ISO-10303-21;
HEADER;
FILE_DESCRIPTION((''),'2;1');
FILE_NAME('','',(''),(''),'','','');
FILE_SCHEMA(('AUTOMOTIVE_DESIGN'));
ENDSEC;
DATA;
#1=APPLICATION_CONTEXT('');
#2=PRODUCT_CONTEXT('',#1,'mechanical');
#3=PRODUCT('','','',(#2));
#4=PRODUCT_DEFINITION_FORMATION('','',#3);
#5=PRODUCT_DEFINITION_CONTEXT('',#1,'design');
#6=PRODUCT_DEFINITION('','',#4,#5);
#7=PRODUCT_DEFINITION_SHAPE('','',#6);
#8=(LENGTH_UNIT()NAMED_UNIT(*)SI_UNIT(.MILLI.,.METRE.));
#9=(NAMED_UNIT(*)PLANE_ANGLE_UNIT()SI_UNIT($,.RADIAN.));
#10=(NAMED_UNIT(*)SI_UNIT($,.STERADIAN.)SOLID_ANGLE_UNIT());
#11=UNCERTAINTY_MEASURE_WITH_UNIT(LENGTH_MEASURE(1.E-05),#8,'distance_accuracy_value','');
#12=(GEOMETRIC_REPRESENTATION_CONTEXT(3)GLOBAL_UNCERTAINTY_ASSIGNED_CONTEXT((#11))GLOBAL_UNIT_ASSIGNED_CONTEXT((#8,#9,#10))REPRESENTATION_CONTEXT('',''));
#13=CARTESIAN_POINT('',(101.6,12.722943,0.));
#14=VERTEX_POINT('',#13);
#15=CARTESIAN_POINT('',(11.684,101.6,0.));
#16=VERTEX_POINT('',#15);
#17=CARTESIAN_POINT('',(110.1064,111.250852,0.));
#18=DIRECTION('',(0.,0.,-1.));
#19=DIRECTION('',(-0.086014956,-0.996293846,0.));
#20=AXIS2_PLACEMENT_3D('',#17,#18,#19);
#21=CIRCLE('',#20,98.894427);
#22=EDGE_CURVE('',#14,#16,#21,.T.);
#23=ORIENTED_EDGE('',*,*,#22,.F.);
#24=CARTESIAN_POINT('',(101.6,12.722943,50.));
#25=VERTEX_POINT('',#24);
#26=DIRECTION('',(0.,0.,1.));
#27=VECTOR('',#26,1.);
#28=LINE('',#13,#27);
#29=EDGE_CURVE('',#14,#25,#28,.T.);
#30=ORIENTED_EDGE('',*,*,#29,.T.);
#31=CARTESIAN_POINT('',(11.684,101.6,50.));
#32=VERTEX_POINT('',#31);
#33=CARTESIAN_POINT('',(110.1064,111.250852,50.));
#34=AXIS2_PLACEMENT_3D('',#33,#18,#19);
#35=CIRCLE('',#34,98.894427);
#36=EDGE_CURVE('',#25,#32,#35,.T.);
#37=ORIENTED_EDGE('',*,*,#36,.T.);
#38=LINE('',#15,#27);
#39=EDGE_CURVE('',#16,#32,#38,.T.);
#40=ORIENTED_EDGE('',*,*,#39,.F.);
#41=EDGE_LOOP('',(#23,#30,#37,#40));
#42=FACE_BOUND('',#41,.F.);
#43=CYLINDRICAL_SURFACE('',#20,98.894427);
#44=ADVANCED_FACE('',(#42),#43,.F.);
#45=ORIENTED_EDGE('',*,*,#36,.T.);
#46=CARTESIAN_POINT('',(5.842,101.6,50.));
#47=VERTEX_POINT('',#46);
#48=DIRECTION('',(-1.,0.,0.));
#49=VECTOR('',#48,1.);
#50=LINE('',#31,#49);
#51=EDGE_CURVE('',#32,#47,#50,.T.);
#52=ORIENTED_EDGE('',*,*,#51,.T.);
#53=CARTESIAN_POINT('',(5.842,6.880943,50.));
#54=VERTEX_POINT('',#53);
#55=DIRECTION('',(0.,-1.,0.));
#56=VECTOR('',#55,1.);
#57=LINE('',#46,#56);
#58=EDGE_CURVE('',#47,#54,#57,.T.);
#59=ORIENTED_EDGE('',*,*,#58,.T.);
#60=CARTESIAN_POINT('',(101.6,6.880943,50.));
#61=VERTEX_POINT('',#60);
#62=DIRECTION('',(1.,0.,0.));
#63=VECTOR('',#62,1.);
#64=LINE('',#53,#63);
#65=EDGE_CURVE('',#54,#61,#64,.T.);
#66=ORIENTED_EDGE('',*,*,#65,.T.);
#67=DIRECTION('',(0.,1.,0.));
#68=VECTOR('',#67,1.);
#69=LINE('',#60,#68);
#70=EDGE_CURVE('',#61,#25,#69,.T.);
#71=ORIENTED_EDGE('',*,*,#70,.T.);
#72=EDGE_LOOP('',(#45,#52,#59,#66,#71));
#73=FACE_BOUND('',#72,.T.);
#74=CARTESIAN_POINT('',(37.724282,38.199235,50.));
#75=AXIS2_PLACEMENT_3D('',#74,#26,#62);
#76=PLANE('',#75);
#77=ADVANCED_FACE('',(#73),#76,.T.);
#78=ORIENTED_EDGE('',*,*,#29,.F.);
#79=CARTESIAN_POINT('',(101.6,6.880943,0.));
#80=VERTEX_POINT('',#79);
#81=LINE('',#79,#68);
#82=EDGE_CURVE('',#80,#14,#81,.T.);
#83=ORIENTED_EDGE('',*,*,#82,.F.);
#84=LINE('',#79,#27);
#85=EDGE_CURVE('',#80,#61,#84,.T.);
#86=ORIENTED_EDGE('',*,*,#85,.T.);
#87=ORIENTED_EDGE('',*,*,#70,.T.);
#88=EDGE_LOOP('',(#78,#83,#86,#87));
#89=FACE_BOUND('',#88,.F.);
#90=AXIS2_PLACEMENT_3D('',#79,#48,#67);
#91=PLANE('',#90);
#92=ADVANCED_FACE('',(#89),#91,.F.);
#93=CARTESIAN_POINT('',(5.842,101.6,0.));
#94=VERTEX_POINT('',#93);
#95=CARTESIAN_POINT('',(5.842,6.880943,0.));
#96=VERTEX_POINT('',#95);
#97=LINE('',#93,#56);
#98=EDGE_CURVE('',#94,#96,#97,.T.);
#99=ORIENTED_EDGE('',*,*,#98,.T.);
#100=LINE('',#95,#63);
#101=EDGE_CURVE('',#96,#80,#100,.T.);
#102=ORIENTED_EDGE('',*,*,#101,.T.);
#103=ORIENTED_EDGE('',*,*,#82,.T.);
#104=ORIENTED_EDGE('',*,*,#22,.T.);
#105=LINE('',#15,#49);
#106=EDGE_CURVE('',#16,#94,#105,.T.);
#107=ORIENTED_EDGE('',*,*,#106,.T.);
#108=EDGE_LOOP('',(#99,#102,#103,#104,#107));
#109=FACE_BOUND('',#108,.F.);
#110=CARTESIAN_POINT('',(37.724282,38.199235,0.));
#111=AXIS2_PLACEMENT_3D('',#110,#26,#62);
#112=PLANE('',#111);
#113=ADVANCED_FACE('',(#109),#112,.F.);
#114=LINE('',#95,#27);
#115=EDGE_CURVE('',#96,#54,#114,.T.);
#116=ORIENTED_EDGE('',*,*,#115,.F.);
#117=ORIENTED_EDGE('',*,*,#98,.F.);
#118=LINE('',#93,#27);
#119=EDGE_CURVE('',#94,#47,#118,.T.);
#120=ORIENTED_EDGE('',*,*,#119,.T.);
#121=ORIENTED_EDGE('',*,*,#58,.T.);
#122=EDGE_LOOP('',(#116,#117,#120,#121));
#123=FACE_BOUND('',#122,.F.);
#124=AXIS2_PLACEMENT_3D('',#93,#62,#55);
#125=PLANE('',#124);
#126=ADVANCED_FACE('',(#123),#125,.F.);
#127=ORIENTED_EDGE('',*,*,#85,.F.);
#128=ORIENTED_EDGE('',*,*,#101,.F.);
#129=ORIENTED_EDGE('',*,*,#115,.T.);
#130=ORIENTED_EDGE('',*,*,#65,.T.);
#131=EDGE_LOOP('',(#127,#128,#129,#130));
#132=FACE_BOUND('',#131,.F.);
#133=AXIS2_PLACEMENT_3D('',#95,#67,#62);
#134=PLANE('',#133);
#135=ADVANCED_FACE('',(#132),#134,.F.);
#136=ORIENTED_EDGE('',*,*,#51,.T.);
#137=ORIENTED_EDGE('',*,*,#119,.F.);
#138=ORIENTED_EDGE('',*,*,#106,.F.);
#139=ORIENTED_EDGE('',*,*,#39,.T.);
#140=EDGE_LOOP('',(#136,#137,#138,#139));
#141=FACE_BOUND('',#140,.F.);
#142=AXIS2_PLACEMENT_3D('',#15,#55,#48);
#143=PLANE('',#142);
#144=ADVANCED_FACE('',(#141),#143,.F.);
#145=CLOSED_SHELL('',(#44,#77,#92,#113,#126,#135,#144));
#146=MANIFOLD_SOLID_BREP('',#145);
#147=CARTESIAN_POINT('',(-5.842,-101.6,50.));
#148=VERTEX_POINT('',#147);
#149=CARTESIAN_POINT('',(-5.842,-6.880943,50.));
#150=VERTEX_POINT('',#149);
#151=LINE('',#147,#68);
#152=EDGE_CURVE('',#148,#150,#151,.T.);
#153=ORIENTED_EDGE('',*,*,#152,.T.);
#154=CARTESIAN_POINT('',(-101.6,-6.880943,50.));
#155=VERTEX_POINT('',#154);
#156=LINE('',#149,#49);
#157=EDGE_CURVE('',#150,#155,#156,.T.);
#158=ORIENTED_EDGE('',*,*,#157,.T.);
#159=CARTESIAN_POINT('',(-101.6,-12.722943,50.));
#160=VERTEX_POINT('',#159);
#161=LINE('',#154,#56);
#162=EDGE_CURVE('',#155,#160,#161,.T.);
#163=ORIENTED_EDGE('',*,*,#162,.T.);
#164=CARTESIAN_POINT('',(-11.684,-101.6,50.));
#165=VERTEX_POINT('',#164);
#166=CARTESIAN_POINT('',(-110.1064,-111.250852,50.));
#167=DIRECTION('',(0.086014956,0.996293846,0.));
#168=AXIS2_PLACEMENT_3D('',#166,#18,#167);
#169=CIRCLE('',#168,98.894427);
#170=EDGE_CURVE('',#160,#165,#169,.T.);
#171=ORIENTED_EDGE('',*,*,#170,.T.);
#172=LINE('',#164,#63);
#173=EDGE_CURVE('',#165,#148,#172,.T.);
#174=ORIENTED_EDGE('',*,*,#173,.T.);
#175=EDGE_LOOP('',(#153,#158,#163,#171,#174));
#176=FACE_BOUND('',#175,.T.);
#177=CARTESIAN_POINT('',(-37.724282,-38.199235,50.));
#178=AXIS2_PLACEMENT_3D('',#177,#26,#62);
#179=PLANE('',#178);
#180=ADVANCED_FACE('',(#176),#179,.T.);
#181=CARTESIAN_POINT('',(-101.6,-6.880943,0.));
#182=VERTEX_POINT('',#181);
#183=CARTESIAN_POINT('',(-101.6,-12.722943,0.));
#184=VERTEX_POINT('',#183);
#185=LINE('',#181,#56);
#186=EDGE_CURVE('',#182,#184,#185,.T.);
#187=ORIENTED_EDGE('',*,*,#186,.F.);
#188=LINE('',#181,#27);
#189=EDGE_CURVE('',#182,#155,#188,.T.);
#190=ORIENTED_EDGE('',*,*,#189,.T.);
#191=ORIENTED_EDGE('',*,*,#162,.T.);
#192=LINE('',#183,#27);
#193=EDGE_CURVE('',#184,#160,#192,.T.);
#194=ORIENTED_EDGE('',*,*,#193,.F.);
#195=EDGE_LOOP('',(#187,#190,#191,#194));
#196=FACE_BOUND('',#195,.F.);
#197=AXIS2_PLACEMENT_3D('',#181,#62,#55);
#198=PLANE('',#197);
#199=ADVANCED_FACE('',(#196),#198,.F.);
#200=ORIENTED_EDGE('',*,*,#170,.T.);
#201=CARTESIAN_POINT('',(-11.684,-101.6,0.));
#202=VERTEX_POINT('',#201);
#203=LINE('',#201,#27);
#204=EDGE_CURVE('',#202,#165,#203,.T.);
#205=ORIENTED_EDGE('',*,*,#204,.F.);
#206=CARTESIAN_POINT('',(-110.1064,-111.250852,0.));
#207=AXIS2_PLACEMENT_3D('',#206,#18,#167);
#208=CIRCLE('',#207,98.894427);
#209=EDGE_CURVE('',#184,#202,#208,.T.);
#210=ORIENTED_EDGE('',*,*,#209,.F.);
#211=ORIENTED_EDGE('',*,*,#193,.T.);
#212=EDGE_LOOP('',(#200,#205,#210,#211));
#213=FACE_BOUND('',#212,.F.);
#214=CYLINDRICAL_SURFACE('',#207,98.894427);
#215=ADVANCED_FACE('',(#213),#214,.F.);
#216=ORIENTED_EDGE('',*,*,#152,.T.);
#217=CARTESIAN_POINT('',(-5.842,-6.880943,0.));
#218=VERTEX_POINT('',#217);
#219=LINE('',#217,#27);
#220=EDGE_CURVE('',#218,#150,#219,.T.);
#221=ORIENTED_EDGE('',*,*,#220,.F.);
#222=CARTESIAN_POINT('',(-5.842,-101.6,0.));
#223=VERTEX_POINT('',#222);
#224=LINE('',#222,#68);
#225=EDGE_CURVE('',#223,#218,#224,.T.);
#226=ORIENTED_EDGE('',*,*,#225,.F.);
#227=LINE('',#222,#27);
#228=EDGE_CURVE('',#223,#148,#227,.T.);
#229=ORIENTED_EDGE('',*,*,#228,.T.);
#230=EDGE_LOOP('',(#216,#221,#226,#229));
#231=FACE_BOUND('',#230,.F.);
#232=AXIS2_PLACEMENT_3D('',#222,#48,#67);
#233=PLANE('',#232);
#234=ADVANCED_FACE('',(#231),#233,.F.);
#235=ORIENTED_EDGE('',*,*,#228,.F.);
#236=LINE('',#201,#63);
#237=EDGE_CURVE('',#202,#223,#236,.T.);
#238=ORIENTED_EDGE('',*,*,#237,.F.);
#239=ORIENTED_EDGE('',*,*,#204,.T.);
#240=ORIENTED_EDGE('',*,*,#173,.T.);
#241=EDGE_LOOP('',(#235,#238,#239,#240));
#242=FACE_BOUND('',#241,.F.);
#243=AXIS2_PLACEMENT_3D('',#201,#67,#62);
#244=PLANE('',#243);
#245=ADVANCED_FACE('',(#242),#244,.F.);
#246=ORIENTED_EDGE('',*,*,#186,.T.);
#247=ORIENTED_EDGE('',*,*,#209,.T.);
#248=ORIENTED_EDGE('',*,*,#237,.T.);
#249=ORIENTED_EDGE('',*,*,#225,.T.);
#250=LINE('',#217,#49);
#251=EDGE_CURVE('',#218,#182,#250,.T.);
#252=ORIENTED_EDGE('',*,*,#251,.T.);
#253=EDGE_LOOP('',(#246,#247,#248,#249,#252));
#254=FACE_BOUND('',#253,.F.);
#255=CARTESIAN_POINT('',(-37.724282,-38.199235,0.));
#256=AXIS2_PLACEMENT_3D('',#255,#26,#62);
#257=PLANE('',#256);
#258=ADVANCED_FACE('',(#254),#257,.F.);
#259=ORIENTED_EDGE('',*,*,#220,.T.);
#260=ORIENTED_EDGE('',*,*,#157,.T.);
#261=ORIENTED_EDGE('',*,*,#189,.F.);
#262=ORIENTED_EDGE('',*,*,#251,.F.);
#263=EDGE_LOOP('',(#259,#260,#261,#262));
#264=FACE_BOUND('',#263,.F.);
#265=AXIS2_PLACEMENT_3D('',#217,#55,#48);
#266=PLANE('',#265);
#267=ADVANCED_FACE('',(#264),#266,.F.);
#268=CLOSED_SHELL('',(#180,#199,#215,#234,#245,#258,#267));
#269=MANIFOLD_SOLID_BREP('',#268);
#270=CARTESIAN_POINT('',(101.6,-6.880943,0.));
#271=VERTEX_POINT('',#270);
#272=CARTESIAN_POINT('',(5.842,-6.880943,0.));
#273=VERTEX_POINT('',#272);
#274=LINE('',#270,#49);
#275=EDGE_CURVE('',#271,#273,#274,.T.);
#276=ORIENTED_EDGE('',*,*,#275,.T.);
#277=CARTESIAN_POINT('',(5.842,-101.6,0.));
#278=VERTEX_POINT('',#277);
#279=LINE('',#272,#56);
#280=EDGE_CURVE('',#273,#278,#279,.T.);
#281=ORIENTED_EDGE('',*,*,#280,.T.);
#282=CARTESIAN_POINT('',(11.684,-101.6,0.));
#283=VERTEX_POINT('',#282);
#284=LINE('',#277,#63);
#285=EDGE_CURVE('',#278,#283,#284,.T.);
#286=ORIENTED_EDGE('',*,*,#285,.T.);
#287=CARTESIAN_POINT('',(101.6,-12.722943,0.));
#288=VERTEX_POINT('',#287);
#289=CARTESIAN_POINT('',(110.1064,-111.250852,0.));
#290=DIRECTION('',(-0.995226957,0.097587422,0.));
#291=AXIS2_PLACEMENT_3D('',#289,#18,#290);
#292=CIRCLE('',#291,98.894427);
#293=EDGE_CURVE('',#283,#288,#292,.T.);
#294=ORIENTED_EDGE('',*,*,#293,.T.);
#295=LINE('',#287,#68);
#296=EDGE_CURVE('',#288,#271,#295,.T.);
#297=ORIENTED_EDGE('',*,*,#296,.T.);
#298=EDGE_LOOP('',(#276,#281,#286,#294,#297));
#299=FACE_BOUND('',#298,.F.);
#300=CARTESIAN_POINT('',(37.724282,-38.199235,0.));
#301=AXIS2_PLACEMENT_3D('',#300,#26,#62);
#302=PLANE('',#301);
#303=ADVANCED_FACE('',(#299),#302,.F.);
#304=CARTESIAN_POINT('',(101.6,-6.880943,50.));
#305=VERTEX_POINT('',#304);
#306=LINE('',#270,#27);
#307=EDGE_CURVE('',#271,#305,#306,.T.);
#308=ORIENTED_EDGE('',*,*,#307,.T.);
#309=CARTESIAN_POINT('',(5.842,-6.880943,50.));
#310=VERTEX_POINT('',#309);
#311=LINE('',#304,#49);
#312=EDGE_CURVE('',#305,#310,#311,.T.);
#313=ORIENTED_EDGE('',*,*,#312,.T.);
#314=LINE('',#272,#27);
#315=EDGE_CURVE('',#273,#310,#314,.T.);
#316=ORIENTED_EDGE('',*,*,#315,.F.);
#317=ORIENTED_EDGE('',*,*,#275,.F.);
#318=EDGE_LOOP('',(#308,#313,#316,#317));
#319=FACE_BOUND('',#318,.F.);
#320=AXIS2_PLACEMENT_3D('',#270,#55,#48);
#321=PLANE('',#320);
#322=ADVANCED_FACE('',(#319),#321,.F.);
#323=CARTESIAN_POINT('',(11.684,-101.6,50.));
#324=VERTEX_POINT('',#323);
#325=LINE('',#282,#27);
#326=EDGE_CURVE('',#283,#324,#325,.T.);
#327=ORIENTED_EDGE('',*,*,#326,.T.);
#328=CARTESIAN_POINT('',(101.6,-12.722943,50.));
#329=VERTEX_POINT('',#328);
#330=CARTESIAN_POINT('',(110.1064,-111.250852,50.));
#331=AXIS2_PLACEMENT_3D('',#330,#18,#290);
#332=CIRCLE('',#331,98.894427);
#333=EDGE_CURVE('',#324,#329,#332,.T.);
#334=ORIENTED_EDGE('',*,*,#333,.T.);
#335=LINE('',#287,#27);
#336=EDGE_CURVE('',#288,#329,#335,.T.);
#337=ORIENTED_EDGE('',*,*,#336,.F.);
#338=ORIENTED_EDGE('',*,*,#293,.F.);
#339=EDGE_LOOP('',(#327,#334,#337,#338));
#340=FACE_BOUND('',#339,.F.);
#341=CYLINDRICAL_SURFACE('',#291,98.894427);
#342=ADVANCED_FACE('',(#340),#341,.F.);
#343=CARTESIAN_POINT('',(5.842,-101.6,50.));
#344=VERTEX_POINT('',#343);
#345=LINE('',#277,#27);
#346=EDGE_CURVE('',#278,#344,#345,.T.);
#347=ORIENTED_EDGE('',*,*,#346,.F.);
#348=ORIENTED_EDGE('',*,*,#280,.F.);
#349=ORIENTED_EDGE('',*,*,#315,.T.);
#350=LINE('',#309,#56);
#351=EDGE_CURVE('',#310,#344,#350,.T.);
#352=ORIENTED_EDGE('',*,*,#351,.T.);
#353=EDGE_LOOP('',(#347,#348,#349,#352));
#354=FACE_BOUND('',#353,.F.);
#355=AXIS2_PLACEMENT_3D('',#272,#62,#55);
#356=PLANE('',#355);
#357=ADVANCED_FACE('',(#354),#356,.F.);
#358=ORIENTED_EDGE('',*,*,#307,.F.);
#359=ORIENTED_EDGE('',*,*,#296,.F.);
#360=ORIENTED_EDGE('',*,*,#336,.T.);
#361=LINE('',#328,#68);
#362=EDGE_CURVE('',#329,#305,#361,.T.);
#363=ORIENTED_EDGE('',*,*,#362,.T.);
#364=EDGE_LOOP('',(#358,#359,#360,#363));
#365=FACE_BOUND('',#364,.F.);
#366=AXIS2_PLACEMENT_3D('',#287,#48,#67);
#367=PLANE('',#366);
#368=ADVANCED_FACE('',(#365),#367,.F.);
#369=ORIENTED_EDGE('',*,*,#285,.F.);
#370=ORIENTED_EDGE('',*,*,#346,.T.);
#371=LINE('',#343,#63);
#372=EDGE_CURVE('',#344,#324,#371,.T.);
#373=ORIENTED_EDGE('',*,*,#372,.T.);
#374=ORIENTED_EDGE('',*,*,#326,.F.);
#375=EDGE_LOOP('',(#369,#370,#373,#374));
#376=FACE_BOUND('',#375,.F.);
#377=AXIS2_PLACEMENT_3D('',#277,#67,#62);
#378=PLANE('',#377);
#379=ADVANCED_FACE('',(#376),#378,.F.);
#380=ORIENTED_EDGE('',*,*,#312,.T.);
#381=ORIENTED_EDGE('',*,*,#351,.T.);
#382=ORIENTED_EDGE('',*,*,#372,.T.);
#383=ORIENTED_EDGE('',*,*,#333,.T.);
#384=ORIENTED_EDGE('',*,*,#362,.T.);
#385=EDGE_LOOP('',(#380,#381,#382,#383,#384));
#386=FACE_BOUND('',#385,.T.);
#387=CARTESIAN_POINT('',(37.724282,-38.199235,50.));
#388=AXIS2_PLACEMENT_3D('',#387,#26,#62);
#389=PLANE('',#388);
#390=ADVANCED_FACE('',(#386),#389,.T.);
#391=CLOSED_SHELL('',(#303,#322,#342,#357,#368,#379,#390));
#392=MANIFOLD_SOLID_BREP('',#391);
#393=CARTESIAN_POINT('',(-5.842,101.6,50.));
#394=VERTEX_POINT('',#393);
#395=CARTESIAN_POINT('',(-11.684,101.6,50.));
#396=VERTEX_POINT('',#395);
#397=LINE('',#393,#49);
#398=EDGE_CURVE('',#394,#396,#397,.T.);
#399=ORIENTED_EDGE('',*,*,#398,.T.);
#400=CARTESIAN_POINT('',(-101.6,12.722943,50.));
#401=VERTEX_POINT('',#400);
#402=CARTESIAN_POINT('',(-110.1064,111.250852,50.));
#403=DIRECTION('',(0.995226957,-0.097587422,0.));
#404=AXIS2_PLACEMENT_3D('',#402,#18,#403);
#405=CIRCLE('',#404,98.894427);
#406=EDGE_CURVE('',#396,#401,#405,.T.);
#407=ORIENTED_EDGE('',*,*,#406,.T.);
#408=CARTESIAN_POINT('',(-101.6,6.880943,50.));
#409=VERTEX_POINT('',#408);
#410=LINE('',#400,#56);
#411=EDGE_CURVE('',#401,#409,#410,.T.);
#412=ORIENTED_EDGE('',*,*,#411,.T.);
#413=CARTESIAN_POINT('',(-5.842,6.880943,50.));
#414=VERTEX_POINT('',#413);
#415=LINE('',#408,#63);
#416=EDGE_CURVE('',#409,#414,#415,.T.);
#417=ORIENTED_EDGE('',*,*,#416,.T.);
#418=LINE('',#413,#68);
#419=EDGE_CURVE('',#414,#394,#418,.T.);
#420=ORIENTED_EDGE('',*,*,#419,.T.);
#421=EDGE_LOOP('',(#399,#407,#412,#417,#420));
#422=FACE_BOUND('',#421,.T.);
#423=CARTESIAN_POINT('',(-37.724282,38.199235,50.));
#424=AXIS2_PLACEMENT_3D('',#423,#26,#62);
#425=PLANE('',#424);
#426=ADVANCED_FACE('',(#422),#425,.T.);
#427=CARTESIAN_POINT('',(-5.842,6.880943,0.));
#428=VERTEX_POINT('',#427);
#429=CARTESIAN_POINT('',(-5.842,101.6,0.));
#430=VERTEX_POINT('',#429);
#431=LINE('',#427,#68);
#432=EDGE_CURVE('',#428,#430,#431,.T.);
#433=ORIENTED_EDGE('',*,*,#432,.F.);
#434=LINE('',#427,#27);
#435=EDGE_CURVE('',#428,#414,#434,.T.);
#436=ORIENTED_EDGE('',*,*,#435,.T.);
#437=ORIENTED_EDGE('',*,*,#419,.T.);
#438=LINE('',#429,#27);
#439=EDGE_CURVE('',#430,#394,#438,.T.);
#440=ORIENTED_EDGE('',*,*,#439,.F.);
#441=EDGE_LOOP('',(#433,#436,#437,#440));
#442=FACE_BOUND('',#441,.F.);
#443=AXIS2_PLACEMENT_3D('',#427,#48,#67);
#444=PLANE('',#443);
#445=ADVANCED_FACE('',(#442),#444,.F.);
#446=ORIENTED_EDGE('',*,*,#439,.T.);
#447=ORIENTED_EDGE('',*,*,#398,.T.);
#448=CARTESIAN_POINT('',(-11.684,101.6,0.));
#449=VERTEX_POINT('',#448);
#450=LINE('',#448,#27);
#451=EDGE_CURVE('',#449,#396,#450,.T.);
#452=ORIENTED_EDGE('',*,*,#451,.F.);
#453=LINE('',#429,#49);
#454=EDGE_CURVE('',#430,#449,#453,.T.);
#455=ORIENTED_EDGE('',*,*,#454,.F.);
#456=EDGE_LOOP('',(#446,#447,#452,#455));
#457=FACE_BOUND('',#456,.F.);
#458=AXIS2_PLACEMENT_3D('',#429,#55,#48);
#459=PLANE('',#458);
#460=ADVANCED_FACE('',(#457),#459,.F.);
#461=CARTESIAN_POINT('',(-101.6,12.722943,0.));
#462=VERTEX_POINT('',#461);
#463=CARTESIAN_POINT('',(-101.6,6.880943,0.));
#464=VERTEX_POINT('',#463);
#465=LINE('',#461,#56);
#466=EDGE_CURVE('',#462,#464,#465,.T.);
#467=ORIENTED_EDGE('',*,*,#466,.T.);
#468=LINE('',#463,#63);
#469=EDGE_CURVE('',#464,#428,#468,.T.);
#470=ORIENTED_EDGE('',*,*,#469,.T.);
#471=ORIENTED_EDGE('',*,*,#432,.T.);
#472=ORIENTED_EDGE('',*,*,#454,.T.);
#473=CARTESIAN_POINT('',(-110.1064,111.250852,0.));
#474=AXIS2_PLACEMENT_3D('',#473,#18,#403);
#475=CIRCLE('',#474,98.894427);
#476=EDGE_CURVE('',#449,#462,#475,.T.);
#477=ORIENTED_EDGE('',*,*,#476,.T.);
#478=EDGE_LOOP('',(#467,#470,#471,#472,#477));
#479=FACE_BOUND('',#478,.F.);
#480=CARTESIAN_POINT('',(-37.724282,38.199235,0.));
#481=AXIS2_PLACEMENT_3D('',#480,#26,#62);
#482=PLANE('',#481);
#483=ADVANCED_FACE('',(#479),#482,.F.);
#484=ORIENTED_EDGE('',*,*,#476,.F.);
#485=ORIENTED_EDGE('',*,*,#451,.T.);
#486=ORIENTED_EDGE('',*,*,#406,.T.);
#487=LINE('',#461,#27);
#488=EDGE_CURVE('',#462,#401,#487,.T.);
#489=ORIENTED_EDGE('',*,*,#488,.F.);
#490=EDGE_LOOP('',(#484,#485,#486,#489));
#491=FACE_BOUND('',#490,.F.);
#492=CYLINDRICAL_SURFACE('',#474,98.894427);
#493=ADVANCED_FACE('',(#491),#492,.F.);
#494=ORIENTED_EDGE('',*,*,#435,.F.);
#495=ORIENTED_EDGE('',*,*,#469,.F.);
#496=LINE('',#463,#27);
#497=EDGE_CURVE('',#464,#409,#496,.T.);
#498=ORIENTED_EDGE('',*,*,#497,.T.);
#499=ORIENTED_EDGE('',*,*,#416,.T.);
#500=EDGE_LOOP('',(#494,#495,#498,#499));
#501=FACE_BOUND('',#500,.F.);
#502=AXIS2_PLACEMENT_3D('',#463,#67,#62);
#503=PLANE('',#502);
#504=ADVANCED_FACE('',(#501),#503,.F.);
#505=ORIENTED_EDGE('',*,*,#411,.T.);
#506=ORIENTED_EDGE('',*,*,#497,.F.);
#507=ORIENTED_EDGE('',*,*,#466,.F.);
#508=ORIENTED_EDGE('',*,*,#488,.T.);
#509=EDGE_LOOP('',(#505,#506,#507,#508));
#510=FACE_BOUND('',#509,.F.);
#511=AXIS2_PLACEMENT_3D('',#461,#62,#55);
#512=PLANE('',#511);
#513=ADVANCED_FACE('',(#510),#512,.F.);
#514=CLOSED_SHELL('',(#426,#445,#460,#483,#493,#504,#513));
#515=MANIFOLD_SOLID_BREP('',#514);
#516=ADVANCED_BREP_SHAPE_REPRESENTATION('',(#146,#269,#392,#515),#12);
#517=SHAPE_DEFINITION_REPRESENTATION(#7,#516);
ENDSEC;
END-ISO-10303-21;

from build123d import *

# Parameters (mm, degrees)
F1_DEPTH = 50


with BuildPart() as f1:
    # F0 (on Top) → F1 (new body)
    with BuildSketch(Plane.XY):
        with BuildLine():
            Line((-5.842, -101.6), (-5.842, -6.880943))
            Line((-5.842, -6.880943), (-101.6, -6.880943))
            Line((-101.6, -6.880943), (-101.6, -12.722943))
            ThreePointArc((-101.6, -12.722943), (-40.585001, -40.916772), (-11.684, -101.6))
            Line((-11.684, -101.6), (-5.842, -101.6))
        make_face()
        with BuildLine():
            Line((-101.6, 6.880943), (-5.842, 6.880943))
            Line((-5.842, 6.880943), (-5.842, 101.6))
            Line((-5.842, 101.6), (-11.684, 101.6))
            ThreePointArc((-11.684, 101.6), (-40.585001, 40.916772), (-101.6, 12.722943))
            Line((-101.6, 12.722943), (-101.6, 6.880943))
        make_face()
        with BuildLine():
            Line((5.842, 101.6), (5.842, 6.880943))
            Line((5.842, 6.880943), (101.6, 6.880943))
            Line((101.6, 6.880943), (101.6, 12.722943))
            ThreePointArc((101.6, 12.722943), (40.585001, 40.916772), (11.684, 101.6))
            Line((11.684, 101.6), (5.842, 101.6))
        make_face()
        with BuildLine():
            Line((101.6, -6.880943), (5.842, -6.880943))
            Line((5.842, -6.880943), (5.842, -101.6))
            Line((5.842, -101.6), (11.684, -101.6))
            ThreePointArc((11.684, -101.6), (40.585001, -40.916772), (101.6, -12.722943))
            Line((101.6, -12.722943), (101.6, -6.880943))
        make_face()
    extrude(amount=F1_DEPTH)


solid = f1.part
